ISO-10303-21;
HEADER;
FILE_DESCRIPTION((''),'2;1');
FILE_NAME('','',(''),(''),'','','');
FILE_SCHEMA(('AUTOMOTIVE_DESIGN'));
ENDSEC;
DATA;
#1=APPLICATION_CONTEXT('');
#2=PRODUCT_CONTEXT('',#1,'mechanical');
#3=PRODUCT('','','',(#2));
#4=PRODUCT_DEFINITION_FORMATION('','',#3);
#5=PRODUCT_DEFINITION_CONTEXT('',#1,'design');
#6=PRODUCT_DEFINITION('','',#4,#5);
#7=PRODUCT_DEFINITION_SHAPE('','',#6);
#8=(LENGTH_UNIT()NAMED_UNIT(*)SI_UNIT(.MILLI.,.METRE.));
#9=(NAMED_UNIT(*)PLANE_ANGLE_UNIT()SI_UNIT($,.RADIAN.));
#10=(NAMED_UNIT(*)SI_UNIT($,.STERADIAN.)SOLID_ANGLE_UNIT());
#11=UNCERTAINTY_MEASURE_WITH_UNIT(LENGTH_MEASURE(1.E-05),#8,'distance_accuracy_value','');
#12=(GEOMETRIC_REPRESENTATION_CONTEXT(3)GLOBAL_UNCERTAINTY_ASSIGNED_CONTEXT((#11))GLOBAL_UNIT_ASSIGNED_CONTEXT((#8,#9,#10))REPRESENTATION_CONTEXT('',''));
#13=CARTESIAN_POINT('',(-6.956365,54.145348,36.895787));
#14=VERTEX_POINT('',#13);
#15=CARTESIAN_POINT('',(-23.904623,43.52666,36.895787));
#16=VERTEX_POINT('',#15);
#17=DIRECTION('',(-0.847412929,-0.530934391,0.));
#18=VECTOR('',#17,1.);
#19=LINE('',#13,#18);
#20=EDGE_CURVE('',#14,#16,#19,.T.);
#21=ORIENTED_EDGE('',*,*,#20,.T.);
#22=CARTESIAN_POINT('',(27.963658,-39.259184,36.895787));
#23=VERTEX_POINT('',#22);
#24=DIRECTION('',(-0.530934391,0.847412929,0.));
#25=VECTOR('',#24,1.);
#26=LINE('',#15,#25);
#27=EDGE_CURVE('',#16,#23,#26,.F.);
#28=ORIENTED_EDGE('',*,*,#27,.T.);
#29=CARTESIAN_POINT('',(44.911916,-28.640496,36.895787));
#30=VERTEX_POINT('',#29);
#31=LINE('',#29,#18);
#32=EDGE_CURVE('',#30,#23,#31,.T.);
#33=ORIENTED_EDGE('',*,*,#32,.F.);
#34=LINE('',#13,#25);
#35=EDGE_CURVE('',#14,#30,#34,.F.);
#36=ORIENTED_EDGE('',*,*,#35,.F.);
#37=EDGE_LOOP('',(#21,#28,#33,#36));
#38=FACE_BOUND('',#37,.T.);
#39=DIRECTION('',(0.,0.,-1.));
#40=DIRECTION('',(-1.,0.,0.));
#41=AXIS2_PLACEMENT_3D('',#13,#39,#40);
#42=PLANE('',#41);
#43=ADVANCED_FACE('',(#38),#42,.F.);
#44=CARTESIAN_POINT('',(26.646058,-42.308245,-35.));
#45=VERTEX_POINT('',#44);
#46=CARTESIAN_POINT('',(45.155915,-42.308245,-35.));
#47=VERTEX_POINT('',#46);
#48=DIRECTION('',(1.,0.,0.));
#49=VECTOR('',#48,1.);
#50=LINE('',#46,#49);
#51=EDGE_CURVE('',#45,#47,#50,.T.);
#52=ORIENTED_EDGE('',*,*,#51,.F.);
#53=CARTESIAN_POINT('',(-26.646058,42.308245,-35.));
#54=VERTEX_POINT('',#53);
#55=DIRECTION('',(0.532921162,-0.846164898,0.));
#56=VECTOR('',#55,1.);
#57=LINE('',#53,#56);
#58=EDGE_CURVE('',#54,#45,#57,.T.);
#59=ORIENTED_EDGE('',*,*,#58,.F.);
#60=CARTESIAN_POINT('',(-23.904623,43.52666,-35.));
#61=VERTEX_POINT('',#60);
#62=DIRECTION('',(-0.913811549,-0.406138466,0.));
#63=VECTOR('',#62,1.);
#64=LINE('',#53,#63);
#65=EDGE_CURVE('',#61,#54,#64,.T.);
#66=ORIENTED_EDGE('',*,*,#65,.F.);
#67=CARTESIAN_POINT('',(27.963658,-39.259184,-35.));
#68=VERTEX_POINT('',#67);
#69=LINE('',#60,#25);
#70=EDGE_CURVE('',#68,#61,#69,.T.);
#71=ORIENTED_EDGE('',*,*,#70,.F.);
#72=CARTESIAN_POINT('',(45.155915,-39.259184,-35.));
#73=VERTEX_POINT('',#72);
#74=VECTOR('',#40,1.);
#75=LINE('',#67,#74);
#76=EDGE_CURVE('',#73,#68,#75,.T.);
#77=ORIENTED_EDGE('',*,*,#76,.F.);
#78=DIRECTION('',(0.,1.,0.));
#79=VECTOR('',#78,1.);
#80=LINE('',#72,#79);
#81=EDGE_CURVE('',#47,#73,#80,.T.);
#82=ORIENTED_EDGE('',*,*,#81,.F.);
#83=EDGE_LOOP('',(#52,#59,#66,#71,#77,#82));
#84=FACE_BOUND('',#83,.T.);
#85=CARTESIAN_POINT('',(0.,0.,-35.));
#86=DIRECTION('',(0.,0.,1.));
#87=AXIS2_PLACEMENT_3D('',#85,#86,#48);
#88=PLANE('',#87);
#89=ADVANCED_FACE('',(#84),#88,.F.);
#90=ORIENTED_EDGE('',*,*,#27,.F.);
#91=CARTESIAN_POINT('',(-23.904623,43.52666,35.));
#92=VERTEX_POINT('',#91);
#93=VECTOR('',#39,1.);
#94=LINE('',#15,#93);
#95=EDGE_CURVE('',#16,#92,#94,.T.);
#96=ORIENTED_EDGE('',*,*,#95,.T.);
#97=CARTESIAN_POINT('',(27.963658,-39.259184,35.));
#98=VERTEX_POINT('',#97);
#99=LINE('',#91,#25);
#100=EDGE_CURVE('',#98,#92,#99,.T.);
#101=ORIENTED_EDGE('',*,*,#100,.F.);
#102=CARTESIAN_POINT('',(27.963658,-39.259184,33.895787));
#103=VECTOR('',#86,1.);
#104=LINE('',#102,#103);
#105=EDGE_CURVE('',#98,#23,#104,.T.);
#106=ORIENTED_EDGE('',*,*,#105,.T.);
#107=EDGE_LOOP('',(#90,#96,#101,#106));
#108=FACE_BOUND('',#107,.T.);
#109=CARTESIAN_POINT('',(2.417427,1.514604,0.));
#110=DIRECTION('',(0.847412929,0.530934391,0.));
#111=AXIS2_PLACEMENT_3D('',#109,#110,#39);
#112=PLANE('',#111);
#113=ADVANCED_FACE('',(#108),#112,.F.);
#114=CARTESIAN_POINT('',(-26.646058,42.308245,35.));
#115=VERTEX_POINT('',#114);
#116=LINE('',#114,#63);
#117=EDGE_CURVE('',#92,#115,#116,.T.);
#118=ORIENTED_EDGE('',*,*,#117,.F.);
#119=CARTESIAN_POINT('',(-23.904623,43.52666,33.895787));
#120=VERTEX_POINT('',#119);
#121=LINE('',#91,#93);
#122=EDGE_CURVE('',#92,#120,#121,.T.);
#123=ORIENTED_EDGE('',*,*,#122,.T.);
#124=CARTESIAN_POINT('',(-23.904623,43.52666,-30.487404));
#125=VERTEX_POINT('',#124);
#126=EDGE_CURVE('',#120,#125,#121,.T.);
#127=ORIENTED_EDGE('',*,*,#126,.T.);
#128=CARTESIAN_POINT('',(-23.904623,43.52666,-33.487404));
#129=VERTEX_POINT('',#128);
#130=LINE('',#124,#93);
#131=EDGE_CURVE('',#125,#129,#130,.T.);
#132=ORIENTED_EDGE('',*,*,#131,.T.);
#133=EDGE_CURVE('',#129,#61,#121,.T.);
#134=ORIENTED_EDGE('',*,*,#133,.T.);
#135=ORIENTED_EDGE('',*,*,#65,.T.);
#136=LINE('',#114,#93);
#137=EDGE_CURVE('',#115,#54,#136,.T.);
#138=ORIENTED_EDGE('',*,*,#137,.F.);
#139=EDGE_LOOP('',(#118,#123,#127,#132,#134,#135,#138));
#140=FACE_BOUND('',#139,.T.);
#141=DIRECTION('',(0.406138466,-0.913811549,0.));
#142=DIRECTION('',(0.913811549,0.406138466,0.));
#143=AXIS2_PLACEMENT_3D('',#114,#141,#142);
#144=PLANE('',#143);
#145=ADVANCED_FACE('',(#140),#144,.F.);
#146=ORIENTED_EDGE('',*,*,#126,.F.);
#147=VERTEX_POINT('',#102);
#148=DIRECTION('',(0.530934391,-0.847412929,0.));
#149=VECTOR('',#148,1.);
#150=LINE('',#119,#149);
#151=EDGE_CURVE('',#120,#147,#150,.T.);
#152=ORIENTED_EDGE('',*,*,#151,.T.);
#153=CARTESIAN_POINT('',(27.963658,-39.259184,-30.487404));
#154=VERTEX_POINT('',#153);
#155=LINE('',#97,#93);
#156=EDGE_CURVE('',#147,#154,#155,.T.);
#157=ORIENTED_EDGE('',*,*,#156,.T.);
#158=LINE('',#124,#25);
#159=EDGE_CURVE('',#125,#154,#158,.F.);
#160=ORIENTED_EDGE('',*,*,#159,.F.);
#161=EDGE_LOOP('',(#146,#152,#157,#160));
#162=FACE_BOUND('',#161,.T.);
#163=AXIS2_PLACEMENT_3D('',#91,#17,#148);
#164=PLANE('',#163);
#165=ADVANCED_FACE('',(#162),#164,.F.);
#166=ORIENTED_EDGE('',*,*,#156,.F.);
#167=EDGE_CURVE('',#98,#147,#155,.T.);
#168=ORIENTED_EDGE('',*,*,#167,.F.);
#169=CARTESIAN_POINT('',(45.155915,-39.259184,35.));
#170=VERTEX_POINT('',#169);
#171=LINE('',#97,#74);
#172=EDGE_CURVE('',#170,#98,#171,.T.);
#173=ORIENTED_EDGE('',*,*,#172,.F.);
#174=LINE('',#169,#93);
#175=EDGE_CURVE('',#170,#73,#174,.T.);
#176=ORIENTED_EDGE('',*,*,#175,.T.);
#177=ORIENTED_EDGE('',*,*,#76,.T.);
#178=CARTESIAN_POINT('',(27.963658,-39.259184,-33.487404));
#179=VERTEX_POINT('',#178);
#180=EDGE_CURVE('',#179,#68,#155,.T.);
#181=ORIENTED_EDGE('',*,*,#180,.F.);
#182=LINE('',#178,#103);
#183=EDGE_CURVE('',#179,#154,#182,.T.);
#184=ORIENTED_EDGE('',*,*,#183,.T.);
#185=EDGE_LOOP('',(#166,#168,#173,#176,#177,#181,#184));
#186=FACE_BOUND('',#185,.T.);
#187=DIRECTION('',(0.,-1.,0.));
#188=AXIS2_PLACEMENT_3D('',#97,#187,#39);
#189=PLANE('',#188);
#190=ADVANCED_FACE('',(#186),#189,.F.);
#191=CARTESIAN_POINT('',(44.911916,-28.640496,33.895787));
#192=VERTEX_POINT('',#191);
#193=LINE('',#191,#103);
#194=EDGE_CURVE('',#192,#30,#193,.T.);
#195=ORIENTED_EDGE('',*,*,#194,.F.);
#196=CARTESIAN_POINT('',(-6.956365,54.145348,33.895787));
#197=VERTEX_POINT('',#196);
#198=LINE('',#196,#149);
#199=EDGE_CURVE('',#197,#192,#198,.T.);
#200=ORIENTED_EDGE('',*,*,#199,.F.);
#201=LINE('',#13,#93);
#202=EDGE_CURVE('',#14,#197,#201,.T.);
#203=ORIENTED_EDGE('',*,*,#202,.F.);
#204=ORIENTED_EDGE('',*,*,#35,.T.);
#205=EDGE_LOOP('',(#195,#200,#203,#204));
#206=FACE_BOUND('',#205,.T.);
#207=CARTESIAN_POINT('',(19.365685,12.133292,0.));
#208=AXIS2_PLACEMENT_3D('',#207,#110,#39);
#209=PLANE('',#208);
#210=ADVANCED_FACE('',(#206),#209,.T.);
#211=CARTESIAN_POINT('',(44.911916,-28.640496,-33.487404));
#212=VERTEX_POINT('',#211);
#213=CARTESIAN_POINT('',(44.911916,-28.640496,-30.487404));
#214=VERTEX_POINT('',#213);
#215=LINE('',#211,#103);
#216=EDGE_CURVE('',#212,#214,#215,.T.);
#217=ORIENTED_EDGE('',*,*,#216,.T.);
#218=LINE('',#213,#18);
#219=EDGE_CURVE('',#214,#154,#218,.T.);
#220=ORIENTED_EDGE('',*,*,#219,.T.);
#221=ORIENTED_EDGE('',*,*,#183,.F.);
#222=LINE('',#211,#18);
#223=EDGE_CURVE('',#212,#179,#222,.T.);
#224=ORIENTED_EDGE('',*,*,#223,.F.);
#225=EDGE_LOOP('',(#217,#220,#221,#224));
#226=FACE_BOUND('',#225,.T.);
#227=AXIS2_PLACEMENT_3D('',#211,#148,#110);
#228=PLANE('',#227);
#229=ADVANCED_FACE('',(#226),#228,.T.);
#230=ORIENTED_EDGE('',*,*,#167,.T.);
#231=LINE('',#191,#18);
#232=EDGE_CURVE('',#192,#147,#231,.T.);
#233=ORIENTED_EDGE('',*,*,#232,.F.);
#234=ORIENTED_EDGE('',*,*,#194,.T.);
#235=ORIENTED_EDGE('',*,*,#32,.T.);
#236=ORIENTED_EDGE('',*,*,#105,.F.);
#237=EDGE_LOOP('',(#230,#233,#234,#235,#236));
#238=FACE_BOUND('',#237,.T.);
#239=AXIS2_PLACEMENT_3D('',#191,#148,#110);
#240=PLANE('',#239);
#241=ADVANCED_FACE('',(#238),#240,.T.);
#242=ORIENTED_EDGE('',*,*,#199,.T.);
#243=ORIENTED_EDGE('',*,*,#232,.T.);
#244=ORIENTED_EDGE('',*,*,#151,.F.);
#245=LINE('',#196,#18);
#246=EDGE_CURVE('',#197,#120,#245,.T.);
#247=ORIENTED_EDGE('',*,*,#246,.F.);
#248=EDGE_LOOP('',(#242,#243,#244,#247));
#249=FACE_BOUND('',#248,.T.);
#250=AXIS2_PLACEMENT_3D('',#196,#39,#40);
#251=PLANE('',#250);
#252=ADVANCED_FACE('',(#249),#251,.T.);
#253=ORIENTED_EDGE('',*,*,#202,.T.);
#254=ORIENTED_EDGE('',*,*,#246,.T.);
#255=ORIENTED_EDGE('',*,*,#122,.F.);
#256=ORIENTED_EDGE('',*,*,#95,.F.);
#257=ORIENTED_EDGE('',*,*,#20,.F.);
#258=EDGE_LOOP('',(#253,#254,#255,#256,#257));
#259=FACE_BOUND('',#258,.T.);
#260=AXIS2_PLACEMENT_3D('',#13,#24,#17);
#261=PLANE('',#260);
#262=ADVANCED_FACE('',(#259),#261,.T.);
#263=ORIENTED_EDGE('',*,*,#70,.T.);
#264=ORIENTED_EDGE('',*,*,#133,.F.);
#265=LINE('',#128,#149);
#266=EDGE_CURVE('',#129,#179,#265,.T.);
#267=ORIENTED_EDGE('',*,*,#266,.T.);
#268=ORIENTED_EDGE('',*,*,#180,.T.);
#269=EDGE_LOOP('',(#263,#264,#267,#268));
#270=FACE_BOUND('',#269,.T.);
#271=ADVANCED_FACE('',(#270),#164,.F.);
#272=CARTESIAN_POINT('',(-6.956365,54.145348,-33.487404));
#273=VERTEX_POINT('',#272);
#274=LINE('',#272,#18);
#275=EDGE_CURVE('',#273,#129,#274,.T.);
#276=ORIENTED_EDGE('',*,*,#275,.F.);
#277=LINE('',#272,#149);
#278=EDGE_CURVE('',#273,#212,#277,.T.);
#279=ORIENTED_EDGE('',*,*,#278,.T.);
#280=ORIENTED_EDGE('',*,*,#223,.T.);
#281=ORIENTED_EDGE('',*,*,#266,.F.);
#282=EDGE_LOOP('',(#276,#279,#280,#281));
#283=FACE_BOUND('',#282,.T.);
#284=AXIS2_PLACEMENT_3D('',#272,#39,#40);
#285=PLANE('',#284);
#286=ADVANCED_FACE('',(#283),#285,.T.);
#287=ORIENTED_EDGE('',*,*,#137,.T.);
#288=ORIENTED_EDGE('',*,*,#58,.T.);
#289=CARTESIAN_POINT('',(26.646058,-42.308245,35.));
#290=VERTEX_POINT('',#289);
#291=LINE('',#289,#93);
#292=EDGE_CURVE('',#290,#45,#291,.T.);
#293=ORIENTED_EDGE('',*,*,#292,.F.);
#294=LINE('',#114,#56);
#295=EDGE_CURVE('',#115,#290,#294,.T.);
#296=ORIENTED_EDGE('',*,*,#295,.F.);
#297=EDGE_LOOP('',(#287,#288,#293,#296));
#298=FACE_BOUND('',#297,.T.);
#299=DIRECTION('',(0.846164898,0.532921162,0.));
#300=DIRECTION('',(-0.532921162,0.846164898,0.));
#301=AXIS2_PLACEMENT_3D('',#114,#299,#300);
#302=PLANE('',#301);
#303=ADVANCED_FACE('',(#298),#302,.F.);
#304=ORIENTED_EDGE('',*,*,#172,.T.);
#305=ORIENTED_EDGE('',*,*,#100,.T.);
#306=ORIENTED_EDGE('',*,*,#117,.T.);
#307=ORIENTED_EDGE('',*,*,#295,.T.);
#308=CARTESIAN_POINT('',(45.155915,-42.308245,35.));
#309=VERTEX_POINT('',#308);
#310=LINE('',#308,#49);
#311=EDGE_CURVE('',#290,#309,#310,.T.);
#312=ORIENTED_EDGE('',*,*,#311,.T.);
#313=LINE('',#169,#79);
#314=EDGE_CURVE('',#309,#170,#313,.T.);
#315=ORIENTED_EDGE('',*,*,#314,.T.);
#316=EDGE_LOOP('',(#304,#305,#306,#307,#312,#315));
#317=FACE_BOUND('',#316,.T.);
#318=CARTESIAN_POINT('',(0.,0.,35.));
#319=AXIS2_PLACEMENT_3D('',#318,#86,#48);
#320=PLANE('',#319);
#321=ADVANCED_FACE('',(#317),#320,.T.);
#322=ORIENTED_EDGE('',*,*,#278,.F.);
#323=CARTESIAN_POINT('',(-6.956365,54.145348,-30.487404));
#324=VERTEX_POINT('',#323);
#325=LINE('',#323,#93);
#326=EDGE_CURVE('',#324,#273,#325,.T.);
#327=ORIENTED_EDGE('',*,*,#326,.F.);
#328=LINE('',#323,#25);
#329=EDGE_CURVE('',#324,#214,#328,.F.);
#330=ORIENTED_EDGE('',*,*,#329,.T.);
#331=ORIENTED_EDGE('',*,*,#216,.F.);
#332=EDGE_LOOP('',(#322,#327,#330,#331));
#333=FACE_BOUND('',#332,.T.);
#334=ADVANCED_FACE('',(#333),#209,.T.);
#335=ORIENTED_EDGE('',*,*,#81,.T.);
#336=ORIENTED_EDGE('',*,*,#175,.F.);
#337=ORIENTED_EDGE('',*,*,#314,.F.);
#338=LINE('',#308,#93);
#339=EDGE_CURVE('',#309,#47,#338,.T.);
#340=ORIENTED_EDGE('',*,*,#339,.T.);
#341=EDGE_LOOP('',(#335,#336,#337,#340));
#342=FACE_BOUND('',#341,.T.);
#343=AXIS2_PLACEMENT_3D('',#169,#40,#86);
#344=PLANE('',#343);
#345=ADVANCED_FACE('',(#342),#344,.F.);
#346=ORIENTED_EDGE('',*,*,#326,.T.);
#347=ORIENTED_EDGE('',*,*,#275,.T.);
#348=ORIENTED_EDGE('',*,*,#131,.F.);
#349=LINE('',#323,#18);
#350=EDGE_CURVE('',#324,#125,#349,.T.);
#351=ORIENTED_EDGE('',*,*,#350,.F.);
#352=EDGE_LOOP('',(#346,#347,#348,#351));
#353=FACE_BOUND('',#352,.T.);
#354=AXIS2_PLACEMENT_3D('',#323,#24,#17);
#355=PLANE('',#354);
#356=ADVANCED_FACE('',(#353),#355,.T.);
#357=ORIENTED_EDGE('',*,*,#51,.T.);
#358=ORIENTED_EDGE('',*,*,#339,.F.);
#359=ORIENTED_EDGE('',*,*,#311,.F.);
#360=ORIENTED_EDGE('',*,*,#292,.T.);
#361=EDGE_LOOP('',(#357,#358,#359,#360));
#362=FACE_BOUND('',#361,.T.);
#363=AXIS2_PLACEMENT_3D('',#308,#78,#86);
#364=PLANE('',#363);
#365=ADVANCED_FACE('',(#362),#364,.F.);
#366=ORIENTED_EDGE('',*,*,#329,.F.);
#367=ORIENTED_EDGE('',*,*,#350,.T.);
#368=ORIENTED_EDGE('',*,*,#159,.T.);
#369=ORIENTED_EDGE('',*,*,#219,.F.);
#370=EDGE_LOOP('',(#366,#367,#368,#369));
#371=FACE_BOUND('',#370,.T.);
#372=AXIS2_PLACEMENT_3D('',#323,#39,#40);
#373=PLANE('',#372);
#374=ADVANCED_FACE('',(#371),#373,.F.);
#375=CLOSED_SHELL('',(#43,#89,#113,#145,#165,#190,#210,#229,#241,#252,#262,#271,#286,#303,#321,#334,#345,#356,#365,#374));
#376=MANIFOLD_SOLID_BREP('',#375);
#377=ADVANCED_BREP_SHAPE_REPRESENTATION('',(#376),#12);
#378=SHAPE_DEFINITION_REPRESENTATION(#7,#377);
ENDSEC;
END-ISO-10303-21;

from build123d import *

# Parameters (mm, degrees)
BOSS_EXTRUDE1_DEPTH = 35
SKETCH3_W           = 3
SKETCH3_H           = 97.69244928
EXTRUDE_THIN1_DEPTH = 20


with BuildPart() as part:
    # Sketch1 → Boss-Extrude1 (new, symmetric)
    with BuildSketch(Plane.XY):
        Polygon((-26.646058096, 42.308244917), (26.646058096, -42.308244917), (45.155915247, -42.308244917), (45.155915247, -39.259184306), (27.963657577, -39.259184306), (-23.904623451, 43.526660315), align=None)
    extrude(amount=BOSS_EXTRUDE1_DEPTH, both=True)

    # Sketch3 → Extrude-Thin1 (add)
    with BuildSketch(Plane(origin=(2.417426631, 1.514603909, 0), x_dir=(0, 0, -1), z_dir=(0.8474129293595072, 0.5309343906306494, 0))):
        with Locations((-35.395786922, 0.730616768)):
            Rectangle(SKETCH3_W, SKETCH3_H)
        with Locations((31.987403947, 0.730616768)):
            Rectangle(SKETCH3_W, SKETCH3_H)
    extrude(amount=EXTRUDE_THIN1_DEPTH)


solid = part.part
